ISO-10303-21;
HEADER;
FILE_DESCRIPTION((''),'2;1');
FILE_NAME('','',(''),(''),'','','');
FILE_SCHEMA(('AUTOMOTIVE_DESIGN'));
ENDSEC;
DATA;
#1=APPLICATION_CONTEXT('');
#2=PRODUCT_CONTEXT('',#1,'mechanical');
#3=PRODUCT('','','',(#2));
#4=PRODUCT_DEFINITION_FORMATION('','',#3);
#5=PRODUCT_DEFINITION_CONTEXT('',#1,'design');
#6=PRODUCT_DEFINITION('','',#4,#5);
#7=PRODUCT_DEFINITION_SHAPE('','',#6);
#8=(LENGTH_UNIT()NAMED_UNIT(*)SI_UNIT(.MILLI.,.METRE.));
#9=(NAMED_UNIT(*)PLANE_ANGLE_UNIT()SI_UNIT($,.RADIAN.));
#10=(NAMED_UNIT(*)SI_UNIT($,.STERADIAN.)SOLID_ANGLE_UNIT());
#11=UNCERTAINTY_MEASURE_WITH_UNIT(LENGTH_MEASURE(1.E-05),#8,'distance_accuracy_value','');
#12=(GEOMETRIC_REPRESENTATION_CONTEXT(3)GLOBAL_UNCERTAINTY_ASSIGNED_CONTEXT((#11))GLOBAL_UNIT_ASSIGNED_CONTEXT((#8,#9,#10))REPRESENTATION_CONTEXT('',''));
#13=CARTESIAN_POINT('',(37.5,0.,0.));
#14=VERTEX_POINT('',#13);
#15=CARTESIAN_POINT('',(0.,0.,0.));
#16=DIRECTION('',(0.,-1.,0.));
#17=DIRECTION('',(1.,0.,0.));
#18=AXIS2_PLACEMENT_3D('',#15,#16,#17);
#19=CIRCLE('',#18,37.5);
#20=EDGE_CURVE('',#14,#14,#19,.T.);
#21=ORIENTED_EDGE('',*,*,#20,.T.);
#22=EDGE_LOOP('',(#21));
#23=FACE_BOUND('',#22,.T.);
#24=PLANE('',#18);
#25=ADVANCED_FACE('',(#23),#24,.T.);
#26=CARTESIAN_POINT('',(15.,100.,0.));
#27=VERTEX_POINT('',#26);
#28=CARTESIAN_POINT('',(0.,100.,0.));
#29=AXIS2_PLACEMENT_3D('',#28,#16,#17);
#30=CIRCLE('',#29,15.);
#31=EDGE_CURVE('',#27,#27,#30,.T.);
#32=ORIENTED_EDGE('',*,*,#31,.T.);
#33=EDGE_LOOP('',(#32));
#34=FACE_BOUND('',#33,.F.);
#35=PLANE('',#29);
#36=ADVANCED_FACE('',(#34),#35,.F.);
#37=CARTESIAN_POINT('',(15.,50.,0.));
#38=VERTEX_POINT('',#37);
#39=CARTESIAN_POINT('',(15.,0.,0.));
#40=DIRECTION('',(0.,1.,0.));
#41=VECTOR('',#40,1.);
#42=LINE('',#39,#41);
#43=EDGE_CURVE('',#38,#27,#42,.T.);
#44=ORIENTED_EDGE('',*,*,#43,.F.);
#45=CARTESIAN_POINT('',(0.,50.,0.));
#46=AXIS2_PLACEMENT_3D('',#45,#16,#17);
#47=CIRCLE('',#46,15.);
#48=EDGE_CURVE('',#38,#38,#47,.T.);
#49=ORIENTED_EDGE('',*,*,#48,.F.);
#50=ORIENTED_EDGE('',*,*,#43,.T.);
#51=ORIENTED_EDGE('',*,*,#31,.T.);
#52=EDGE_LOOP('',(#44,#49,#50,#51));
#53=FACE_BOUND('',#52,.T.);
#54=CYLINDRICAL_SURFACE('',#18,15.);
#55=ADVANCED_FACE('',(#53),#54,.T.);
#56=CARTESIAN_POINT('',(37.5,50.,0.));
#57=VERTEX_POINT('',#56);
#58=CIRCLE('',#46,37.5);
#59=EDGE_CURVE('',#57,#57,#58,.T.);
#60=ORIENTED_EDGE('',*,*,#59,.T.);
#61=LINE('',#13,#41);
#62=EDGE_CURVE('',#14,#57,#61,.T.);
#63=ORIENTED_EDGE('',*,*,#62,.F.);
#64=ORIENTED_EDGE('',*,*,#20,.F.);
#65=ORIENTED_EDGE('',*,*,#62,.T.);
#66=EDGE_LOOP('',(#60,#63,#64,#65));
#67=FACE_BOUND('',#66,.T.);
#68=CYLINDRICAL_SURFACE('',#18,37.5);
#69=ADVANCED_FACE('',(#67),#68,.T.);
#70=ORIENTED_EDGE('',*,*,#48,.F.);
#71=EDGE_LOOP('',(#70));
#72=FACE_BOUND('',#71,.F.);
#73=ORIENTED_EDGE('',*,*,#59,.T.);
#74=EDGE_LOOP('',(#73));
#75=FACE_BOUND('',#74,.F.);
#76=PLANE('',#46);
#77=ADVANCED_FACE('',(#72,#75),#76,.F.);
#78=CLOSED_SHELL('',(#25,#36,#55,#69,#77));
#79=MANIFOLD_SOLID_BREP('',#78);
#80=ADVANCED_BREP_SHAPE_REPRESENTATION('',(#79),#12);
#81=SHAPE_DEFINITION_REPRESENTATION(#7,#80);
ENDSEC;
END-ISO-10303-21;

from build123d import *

# Parameters (mm, degrees)
F0_R     = 15
F1_DEPTH = 100
F0_R_2   = 37.5
F2_DEPTH = 50


with BuildPart() as f1:
    # F0 (on Front) → F1 (new body)
    with BuildSketch(Plane.XZ):
        Circle(F0_R)
    extrude(amount=-F1_DEPTH)

    # F0 (on Front) → F2 (join)
    with BuildSketch(Plane.XZ):
        Circle(F0_R_2)
        Circle(F0_R, mode=Mode.SUBTRACT)
    extrude(amount=-F2_DEPTH)


solid = f1.part
